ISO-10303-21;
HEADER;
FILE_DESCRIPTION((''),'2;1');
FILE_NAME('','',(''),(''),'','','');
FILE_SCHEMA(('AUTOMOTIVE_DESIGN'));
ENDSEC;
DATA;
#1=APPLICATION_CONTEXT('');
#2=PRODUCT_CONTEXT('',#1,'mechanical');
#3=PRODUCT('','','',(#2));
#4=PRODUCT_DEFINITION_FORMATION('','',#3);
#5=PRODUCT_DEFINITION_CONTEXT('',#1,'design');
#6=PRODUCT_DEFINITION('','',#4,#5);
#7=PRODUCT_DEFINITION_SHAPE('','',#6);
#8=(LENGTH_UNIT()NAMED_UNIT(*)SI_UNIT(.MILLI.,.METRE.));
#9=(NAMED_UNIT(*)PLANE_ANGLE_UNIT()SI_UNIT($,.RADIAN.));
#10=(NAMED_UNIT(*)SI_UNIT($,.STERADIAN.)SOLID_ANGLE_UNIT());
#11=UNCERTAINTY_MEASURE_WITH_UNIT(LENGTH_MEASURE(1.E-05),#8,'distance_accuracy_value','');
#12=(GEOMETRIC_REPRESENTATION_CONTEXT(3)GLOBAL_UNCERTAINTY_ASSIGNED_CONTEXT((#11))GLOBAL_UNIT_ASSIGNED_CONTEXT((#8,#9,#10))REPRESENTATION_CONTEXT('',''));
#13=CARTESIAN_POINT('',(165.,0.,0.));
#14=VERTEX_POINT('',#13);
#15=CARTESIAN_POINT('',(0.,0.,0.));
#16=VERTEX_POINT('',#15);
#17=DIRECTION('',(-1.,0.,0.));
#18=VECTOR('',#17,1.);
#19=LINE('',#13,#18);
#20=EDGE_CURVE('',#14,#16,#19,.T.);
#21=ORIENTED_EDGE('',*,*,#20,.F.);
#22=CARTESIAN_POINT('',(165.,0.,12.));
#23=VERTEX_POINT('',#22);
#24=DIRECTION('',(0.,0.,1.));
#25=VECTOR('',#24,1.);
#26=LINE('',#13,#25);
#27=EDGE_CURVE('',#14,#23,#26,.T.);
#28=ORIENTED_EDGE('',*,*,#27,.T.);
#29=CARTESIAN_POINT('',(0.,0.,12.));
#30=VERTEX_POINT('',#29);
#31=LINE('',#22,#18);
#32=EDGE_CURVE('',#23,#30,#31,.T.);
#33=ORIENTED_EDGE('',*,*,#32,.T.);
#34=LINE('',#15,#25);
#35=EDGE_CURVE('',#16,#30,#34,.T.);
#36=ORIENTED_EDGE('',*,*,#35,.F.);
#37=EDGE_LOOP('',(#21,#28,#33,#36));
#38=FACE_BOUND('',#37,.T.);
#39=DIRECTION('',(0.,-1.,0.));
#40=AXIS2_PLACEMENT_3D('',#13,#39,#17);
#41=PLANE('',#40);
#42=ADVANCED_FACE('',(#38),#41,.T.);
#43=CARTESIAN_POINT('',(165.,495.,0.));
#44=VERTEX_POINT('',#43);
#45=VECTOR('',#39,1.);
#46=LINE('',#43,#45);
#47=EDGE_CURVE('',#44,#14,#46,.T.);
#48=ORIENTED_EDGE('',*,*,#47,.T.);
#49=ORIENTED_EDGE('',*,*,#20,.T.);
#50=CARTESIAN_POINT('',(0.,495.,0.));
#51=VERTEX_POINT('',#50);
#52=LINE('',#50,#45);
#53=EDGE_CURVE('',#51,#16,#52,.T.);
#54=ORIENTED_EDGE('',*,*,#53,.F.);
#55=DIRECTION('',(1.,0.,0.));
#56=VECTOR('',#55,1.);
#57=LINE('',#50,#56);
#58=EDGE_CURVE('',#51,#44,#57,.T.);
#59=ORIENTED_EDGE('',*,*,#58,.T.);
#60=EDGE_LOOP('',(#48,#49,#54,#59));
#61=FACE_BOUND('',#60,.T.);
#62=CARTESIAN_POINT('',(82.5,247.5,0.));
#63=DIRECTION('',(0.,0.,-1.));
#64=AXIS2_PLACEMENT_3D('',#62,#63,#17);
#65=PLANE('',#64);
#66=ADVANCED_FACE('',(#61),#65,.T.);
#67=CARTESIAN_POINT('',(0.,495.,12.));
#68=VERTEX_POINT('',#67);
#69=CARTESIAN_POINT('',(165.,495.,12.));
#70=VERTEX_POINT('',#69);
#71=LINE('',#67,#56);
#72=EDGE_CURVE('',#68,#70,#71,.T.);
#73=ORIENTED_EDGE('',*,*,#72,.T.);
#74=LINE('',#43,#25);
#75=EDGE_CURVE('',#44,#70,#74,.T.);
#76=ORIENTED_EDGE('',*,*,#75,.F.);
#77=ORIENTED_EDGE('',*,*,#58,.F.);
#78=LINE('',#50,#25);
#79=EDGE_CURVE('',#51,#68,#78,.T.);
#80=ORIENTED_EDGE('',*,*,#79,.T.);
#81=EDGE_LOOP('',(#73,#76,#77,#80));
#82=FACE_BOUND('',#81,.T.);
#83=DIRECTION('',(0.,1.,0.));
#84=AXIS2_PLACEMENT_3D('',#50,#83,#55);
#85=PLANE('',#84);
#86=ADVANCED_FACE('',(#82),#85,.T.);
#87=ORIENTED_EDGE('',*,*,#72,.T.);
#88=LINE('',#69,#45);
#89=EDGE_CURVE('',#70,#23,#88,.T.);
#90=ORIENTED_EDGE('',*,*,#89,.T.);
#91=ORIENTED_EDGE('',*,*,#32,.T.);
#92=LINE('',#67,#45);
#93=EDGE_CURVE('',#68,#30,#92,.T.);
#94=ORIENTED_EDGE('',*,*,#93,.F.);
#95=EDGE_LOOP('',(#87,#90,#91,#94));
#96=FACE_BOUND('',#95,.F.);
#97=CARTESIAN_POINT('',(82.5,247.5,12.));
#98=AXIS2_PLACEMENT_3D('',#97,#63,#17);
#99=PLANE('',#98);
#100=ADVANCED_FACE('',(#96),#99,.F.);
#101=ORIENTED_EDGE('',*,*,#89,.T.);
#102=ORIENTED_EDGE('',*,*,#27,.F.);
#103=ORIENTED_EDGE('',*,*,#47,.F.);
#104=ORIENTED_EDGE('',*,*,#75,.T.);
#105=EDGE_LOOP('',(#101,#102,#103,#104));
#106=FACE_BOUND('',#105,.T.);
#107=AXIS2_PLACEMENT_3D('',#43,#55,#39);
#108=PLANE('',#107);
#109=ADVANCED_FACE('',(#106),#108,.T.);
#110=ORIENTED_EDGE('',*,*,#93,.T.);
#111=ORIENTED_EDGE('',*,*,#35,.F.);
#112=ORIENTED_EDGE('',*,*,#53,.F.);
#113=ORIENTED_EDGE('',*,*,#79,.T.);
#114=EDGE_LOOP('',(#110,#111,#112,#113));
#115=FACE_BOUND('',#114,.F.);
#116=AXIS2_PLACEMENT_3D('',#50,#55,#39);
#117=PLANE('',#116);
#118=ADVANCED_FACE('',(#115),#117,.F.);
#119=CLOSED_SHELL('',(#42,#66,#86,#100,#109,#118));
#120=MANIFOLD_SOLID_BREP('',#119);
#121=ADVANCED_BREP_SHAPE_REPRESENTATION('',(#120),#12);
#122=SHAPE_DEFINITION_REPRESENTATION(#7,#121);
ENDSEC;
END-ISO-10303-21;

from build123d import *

# Parameters (mm, degrees)
PAD_DEPTH = 12


with BuildPart() as part:
    # Sketch → Pad (new body)
    with BuildSketch(Plane.XY):
        Polygon((0, 495), (165, 495), (165, 0), (0, 0), (0, 247.5), align=None)
    extrude(amount=PAD_DEPTH)


solid = part.part
